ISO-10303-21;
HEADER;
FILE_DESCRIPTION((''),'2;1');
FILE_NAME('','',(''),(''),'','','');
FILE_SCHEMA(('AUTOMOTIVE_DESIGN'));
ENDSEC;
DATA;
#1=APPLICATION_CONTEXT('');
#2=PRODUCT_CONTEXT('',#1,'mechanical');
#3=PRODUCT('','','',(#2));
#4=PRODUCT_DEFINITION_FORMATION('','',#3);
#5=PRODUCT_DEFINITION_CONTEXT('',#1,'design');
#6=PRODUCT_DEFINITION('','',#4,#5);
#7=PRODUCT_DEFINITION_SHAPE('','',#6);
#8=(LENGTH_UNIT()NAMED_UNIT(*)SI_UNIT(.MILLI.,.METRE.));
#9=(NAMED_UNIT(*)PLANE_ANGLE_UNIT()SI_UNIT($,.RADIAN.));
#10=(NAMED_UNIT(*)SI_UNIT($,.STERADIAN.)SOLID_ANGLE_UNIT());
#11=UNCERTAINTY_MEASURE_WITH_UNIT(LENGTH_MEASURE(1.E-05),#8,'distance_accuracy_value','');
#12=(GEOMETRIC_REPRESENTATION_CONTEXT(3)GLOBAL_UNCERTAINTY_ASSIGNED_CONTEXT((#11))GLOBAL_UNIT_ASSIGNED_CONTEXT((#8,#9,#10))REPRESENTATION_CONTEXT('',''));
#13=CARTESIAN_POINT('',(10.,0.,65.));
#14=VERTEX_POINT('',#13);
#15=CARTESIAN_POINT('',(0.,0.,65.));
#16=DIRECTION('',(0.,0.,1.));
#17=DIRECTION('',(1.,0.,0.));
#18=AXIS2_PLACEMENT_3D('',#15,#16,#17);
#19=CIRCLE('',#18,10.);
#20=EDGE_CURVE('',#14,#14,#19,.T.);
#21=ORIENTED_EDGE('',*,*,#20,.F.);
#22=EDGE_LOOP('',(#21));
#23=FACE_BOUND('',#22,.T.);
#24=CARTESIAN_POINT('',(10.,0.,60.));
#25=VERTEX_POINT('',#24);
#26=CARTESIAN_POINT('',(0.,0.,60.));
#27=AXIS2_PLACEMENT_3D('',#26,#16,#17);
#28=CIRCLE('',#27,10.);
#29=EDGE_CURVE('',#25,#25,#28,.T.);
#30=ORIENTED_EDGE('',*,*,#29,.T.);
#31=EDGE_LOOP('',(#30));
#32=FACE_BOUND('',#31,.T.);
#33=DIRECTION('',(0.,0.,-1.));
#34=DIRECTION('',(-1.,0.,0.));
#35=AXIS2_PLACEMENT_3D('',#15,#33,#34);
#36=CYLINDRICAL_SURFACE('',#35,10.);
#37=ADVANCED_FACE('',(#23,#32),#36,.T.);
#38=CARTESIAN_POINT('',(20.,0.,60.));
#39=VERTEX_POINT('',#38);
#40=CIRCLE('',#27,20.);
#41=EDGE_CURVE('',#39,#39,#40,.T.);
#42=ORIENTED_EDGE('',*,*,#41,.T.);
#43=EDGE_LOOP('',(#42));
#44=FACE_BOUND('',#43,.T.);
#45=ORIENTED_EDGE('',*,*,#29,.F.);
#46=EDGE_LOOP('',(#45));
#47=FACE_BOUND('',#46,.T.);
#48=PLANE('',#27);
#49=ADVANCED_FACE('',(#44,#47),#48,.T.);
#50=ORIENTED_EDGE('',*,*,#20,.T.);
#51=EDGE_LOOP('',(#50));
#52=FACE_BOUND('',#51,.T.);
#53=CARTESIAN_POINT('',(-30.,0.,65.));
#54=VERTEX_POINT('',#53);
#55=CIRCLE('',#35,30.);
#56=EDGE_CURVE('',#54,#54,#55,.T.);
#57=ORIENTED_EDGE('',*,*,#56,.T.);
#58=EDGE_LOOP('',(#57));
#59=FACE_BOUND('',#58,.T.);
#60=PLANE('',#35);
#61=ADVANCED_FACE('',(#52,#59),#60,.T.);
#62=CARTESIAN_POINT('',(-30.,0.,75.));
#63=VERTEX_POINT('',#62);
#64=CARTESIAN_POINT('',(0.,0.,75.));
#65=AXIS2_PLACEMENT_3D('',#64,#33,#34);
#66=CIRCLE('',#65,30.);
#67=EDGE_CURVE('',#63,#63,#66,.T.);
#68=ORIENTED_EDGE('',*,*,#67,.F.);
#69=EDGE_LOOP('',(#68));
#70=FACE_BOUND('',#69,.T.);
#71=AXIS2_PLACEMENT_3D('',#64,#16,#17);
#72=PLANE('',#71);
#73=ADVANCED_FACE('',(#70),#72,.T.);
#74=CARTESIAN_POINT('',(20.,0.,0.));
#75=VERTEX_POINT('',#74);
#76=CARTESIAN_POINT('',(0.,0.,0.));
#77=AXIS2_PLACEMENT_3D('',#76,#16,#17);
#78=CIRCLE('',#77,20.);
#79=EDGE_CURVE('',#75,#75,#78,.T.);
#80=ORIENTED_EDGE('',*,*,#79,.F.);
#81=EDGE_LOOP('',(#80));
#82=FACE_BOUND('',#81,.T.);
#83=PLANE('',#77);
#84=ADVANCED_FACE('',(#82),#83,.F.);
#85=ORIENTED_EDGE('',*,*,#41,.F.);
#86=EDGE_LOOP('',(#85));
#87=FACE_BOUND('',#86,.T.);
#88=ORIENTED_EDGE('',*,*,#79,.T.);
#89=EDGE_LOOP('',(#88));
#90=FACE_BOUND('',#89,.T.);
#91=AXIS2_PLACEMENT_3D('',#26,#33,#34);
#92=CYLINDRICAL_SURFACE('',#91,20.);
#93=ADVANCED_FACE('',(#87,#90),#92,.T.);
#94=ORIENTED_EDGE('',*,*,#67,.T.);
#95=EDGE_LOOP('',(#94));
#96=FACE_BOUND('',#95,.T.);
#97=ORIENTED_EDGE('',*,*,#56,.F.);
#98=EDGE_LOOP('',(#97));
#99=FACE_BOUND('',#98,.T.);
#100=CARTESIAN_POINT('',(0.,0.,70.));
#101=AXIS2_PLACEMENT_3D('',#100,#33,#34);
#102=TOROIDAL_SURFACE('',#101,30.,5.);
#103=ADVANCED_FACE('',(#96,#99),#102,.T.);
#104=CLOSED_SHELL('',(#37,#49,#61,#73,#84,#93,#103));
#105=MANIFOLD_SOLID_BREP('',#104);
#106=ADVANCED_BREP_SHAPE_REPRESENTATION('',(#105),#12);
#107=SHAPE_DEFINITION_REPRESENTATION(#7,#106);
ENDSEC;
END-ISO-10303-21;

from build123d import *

# Parameters (mm, degrees)
SKETCH_1_R      = 20
EXTRUDE_1_DEPTH = 60
SKETCH_2_R      = 10
EXTRUDE_2_DEPTH = 5


with BuildPart() as part:
    # 草图1 → 凸台-拉伸1 (new body)
    with BuildSketch(Plane.XY):
        Circle(SKETCH_1_R)
    extrude(amount=EXTRUDE_1_DEPTH)

    # 草图2 → 凸台-拉伸2 (add)
    with BuildSketch(Plane.XY.offset(60)):
        Circle(SKETCH_2_R)
    extrude(amount=EXTRUDE_2_DEPTH)

    # 草图3 → 旋转1 (revolve)
    with BuildSketch(Plane(origin=(0, 0, 0), x_dir=(0, 0, -1), z_dir=(1, 0, 0)), mode=Mode.PRIVATE) as revolve_1_sk:
        with BuildLine():
            Line((-65, 0), (-75, 0))
            Line((-75, 0), (-75, 30))
            ThreePointArc((-75, 30), (-70, 35), (-65, 30))
            Line((-65, 30), (-65, 0))
        make_face()
    revolve(revolve_1_sk.sketch.rotate(Axis((0, 0, 65), (0, 0, 1)), 90), axis=Axis((0, 0, 65), (0, 0, 1)))


solid = part.part
